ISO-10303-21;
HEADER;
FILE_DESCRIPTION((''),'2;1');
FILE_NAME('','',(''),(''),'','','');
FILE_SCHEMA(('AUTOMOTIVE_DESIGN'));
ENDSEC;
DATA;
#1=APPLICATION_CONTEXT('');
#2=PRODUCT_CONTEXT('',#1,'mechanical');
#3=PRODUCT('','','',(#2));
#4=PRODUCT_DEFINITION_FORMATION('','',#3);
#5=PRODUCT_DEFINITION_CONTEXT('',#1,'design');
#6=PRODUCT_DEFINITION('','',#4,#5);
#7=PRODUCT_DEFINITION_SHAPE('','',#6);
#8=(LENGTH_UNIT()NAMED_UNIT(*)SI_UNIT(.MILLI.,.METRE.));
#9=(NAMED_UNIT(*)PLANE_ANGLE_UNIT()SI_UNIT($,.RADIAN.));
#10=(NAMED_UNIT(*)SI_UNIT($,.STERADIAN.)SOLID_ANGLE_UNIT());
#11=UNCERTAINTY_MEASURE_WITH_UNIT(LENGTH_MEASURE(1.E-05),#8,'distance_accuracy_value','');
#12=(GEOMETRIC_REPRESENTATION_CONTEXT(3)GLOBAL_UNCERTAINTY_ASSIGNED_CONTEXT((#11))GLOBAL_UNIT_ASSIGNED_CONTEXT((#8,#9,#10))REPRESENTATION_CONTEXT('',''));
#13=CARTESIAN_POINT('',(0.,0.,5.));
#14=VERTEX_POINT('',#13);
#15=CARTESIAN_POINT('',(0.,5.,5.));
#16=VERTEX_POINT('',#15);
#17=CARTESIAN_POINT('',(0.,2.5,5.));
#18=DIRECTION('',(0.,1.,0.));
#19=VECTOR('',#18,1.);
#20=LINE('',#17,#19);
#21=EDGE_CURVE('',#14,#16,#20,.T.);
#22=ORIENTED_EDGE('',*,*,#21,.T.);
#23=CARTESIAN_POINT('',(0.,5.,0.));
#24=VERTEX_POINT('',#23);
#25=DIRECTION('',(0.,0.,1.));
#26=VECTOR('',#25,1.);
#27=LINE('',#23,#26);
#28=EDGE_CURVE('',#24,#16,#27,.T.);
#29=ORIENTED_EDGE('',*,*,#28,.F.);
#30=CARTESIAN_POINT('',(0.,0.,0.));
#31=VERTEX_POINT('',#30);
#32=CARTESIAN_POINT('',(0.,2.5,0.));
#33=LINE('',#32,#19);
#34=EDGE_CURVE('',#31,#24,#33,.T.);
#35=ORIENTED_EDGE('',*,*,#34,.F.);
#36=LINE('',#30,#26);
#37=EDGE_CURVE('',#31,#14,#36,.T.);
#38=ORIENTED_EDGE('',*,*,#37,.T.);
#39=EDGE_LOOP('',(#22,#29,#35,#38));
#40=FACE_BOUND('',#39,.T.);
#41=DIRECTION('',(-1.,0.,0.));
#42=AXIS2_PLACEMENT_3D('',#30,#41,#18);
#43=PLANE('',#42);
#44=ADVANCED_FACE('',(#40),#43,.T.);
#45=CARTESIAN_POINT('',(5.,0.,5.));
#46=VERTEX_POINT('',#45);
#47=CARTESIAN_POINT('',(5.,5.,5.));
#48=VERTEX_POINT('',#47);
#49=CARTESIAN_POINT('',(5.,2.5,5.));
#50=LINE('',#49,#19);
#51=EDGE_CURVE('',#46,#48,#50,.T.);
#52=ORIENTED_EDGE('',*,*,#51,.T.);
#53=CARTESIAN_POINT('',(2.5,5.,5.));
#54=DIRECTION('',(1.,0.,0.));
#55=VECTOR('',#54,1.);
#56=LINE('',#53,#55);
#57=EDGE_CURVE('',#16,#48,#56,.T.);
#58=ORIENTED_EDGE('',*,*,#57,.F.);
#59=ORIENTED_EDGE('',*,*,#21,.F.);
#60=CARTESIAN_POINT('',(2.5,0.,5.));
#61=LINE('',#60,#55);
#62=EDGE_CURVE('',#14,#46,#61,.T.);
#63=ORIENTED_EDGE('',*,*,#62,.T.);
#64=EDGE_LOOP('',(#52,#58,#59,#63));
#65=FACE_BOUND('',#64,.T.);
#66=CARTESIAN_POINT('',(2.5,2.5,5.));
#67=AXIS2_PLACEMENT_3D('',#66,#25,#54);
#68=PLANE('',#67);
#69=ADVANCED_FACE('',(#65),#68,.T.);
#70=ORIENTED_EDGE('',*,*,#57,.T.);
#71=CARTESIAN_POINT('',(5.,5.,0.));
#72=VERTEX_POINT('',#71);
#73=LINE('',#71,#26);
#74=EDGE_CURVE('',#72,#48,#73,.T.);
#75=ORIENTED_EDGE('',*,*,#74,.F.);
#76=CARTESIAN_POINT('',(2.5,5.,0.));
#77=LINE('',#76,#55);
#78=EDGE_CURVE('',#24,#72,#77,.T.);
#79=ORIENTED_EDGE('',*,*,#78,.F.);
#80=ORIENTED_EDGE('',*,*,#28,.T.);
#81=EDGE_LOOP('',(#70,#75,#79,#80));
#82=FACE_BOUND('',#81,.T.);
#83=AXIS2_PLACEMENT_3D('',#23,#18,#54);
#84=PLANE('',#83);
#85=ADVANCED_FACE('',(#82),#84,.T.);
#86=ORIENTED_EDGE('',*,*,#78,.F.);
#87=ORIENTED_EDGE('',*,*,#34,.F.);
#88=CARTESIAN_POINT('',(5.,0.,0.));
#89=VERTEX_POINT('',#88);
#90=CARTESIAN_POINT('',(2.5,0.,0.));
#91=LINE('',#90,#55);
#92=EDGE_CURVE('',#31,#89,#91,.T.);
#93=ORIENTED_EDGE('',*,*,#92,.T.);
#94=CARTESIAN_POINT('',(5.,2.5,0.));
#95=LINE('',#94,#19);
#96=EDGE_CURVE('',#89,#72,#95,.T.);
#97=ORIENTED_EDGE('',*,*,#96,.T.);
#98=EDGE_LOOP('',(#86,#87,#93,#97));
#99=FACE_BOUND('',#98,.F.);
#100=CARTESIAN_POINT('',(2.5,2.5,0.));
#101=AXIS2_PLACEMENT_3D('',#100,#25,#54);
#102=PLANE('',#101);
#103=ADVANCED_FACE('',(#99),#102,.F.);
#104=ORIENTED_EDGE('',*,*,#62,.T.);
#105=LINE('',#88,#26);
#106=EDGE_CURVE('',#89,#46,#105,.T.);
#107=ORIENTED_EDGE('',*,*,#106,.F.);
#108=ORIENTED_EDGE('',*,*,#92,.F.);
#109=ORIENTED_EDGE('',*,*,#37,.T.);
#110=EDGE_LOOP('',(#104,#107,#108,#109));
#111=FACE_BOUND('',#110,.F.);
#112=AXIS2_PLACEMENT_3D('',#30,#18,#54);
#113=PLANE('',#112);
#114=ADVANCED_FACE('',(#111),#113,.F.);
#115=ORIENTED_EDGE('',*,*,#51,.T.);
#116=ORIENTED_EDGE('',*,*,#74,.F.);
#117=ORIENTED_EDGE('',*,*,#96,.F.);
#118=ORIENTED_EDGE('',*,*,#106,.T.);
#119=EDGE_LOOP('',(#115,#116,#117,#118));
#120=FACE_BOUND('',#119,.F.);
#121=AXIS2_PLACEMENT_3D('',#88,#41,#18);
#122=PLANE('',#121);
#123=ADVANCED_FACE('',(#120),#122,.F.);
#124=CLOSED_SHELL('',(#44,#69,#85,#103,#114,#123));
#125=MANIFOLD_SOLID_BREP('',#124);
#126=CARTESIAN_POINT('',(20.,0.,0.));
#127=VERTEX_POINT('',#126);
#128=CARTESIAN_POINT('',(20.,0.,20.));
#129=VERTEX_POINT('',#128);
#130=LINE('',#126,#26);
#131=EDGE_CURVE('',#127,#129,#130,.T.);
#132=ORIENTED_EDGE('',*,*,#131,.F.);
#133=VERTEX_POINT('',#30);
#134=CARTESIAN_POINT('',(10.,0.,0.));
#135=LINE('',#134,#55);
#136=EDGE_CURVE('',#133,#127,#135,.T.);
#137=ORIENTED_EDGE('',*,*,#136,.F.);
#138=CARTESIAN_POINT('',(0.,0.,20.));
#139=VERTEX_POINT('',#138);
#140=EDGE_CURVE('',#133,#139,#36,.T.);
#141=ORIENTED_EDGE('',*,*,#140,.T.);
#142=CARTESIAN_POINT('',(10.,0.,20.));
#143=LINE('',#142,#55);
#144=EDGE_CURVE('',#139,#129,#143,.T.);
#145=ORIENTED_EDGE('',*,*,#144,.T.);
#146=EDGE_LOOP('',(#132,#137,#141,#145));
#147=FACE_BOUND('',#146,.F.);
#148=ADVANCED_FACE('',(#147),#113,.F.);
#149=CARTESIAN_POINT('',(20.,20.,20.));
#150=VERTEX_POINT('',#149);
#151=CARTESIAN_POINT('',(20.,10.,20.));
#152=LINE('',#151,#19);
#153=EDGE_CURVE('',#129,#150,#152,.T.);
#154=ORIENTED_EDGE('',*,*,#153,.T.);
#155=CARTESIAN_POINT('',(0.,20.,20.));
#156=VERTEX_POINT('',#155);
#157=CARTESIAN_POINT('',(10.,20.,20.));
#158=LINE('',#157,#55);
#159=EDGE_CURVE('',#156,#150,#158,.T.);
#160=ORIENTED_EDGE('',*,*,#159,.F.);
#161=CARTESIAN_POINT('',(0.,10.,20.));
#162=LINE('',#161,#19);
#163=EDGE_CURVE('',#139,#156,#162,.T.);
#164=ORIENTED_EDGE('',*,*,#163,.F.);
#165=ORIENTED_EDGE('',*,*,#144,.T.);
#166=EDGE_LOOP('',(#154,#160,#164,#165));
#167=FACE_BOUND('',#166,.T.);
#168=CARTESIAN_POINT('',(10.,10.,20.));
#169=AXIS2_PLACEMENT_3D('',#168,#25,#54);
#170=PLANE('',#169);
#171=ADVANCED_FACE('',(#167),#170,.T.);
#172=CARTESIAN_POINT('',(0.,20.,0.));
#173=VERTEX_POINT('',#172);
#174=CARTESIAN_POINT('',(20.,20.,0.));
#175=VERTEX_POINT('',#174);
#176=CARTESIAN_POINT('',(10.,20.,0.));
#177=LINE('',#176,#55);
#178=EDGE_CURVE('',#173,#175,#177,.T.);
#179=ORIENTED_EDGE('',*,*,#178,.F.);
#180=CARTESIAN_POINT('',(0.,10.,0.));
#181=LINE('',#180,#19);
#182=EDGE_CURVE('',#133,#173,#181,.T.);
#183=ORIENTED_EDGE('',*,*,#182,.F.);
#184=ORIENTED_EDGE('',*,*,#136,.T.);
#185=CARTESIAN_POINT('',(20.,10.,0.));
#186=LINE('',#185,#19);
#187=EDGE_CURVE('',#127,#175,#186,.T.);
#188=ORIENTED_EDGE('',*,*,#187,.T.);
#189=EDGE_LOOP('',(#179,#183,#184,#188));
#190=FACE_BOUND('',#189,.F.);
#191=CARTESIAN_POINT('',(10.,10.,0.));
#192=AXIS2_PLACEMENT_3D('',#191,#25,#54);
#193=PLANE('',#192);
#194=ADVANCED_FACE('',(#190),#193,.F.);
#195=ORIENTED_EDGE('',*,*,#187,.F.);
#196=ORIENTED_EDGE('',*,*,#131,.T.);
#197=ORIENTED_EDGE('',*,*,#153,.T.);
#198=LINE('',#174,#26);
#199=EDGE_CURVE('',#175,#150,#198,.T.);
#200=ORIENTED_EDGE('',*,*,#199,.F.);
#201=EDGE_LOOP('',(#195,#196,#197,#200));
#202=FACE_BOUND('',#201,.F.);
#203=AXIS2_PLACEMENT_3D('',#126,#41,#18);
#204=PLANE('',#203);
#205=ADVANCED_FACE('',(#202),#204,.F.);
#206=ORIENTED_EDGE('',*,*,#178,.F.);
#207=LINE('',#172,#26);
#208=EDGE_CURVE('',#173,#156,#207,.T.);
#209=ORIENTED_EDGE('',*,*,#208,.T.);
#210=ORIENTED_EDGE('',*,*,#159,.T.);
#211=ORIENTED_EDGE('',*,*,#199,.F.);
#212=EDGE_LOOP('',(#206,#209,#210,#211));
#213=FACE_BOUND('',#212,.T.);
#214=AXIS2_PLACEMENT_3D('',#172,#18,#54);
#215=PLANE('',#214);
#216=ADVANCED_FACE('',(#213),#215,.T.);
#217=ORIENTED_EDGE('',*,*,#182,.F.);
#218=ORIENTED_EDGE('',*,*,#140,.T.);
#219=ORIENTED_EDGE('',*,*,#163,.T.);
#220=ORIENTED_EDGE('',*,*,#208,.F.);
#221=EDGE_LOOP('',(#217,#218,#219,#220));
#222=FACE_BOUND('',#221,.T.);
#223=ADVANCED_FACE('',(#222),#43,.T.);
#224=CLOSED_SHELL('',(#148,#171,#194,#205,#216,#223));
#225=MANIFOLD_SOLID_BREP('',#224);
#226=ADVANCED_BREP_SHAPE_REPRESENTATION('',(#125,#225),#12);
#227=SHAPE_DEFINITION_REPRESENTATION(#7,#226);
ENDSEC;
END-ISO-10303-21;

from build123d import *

# Parameters (mm, degrees)
BOX_W        = 20
BOX_H        = 20
BOX_DEPTH    = 20
BOX001_W     = 5
BOX001_H     = 5
BOX001_DEPTH = 5


with BuildPart() as mi_cubo:
    # Box → Box (new body)
    with BuildSketch(Plane.XY):
        with Locations((10, 10)):
            Rectangle(BOX_W, BOX_H)
    extrude(amount=BOX_DEPTH)


with BuildPart() as cubo_int:
    # Box001 → Box001 (new body)
    with BuildSketch(Plane.XY):
        with Locations((2.5, 2.5)):
            Rectangle(BOX001_W, BOX001_H)
    extrude(amount=BOX001_DEPTH)


solid = Compound([mi_cubo.part, cubo_int.part])
